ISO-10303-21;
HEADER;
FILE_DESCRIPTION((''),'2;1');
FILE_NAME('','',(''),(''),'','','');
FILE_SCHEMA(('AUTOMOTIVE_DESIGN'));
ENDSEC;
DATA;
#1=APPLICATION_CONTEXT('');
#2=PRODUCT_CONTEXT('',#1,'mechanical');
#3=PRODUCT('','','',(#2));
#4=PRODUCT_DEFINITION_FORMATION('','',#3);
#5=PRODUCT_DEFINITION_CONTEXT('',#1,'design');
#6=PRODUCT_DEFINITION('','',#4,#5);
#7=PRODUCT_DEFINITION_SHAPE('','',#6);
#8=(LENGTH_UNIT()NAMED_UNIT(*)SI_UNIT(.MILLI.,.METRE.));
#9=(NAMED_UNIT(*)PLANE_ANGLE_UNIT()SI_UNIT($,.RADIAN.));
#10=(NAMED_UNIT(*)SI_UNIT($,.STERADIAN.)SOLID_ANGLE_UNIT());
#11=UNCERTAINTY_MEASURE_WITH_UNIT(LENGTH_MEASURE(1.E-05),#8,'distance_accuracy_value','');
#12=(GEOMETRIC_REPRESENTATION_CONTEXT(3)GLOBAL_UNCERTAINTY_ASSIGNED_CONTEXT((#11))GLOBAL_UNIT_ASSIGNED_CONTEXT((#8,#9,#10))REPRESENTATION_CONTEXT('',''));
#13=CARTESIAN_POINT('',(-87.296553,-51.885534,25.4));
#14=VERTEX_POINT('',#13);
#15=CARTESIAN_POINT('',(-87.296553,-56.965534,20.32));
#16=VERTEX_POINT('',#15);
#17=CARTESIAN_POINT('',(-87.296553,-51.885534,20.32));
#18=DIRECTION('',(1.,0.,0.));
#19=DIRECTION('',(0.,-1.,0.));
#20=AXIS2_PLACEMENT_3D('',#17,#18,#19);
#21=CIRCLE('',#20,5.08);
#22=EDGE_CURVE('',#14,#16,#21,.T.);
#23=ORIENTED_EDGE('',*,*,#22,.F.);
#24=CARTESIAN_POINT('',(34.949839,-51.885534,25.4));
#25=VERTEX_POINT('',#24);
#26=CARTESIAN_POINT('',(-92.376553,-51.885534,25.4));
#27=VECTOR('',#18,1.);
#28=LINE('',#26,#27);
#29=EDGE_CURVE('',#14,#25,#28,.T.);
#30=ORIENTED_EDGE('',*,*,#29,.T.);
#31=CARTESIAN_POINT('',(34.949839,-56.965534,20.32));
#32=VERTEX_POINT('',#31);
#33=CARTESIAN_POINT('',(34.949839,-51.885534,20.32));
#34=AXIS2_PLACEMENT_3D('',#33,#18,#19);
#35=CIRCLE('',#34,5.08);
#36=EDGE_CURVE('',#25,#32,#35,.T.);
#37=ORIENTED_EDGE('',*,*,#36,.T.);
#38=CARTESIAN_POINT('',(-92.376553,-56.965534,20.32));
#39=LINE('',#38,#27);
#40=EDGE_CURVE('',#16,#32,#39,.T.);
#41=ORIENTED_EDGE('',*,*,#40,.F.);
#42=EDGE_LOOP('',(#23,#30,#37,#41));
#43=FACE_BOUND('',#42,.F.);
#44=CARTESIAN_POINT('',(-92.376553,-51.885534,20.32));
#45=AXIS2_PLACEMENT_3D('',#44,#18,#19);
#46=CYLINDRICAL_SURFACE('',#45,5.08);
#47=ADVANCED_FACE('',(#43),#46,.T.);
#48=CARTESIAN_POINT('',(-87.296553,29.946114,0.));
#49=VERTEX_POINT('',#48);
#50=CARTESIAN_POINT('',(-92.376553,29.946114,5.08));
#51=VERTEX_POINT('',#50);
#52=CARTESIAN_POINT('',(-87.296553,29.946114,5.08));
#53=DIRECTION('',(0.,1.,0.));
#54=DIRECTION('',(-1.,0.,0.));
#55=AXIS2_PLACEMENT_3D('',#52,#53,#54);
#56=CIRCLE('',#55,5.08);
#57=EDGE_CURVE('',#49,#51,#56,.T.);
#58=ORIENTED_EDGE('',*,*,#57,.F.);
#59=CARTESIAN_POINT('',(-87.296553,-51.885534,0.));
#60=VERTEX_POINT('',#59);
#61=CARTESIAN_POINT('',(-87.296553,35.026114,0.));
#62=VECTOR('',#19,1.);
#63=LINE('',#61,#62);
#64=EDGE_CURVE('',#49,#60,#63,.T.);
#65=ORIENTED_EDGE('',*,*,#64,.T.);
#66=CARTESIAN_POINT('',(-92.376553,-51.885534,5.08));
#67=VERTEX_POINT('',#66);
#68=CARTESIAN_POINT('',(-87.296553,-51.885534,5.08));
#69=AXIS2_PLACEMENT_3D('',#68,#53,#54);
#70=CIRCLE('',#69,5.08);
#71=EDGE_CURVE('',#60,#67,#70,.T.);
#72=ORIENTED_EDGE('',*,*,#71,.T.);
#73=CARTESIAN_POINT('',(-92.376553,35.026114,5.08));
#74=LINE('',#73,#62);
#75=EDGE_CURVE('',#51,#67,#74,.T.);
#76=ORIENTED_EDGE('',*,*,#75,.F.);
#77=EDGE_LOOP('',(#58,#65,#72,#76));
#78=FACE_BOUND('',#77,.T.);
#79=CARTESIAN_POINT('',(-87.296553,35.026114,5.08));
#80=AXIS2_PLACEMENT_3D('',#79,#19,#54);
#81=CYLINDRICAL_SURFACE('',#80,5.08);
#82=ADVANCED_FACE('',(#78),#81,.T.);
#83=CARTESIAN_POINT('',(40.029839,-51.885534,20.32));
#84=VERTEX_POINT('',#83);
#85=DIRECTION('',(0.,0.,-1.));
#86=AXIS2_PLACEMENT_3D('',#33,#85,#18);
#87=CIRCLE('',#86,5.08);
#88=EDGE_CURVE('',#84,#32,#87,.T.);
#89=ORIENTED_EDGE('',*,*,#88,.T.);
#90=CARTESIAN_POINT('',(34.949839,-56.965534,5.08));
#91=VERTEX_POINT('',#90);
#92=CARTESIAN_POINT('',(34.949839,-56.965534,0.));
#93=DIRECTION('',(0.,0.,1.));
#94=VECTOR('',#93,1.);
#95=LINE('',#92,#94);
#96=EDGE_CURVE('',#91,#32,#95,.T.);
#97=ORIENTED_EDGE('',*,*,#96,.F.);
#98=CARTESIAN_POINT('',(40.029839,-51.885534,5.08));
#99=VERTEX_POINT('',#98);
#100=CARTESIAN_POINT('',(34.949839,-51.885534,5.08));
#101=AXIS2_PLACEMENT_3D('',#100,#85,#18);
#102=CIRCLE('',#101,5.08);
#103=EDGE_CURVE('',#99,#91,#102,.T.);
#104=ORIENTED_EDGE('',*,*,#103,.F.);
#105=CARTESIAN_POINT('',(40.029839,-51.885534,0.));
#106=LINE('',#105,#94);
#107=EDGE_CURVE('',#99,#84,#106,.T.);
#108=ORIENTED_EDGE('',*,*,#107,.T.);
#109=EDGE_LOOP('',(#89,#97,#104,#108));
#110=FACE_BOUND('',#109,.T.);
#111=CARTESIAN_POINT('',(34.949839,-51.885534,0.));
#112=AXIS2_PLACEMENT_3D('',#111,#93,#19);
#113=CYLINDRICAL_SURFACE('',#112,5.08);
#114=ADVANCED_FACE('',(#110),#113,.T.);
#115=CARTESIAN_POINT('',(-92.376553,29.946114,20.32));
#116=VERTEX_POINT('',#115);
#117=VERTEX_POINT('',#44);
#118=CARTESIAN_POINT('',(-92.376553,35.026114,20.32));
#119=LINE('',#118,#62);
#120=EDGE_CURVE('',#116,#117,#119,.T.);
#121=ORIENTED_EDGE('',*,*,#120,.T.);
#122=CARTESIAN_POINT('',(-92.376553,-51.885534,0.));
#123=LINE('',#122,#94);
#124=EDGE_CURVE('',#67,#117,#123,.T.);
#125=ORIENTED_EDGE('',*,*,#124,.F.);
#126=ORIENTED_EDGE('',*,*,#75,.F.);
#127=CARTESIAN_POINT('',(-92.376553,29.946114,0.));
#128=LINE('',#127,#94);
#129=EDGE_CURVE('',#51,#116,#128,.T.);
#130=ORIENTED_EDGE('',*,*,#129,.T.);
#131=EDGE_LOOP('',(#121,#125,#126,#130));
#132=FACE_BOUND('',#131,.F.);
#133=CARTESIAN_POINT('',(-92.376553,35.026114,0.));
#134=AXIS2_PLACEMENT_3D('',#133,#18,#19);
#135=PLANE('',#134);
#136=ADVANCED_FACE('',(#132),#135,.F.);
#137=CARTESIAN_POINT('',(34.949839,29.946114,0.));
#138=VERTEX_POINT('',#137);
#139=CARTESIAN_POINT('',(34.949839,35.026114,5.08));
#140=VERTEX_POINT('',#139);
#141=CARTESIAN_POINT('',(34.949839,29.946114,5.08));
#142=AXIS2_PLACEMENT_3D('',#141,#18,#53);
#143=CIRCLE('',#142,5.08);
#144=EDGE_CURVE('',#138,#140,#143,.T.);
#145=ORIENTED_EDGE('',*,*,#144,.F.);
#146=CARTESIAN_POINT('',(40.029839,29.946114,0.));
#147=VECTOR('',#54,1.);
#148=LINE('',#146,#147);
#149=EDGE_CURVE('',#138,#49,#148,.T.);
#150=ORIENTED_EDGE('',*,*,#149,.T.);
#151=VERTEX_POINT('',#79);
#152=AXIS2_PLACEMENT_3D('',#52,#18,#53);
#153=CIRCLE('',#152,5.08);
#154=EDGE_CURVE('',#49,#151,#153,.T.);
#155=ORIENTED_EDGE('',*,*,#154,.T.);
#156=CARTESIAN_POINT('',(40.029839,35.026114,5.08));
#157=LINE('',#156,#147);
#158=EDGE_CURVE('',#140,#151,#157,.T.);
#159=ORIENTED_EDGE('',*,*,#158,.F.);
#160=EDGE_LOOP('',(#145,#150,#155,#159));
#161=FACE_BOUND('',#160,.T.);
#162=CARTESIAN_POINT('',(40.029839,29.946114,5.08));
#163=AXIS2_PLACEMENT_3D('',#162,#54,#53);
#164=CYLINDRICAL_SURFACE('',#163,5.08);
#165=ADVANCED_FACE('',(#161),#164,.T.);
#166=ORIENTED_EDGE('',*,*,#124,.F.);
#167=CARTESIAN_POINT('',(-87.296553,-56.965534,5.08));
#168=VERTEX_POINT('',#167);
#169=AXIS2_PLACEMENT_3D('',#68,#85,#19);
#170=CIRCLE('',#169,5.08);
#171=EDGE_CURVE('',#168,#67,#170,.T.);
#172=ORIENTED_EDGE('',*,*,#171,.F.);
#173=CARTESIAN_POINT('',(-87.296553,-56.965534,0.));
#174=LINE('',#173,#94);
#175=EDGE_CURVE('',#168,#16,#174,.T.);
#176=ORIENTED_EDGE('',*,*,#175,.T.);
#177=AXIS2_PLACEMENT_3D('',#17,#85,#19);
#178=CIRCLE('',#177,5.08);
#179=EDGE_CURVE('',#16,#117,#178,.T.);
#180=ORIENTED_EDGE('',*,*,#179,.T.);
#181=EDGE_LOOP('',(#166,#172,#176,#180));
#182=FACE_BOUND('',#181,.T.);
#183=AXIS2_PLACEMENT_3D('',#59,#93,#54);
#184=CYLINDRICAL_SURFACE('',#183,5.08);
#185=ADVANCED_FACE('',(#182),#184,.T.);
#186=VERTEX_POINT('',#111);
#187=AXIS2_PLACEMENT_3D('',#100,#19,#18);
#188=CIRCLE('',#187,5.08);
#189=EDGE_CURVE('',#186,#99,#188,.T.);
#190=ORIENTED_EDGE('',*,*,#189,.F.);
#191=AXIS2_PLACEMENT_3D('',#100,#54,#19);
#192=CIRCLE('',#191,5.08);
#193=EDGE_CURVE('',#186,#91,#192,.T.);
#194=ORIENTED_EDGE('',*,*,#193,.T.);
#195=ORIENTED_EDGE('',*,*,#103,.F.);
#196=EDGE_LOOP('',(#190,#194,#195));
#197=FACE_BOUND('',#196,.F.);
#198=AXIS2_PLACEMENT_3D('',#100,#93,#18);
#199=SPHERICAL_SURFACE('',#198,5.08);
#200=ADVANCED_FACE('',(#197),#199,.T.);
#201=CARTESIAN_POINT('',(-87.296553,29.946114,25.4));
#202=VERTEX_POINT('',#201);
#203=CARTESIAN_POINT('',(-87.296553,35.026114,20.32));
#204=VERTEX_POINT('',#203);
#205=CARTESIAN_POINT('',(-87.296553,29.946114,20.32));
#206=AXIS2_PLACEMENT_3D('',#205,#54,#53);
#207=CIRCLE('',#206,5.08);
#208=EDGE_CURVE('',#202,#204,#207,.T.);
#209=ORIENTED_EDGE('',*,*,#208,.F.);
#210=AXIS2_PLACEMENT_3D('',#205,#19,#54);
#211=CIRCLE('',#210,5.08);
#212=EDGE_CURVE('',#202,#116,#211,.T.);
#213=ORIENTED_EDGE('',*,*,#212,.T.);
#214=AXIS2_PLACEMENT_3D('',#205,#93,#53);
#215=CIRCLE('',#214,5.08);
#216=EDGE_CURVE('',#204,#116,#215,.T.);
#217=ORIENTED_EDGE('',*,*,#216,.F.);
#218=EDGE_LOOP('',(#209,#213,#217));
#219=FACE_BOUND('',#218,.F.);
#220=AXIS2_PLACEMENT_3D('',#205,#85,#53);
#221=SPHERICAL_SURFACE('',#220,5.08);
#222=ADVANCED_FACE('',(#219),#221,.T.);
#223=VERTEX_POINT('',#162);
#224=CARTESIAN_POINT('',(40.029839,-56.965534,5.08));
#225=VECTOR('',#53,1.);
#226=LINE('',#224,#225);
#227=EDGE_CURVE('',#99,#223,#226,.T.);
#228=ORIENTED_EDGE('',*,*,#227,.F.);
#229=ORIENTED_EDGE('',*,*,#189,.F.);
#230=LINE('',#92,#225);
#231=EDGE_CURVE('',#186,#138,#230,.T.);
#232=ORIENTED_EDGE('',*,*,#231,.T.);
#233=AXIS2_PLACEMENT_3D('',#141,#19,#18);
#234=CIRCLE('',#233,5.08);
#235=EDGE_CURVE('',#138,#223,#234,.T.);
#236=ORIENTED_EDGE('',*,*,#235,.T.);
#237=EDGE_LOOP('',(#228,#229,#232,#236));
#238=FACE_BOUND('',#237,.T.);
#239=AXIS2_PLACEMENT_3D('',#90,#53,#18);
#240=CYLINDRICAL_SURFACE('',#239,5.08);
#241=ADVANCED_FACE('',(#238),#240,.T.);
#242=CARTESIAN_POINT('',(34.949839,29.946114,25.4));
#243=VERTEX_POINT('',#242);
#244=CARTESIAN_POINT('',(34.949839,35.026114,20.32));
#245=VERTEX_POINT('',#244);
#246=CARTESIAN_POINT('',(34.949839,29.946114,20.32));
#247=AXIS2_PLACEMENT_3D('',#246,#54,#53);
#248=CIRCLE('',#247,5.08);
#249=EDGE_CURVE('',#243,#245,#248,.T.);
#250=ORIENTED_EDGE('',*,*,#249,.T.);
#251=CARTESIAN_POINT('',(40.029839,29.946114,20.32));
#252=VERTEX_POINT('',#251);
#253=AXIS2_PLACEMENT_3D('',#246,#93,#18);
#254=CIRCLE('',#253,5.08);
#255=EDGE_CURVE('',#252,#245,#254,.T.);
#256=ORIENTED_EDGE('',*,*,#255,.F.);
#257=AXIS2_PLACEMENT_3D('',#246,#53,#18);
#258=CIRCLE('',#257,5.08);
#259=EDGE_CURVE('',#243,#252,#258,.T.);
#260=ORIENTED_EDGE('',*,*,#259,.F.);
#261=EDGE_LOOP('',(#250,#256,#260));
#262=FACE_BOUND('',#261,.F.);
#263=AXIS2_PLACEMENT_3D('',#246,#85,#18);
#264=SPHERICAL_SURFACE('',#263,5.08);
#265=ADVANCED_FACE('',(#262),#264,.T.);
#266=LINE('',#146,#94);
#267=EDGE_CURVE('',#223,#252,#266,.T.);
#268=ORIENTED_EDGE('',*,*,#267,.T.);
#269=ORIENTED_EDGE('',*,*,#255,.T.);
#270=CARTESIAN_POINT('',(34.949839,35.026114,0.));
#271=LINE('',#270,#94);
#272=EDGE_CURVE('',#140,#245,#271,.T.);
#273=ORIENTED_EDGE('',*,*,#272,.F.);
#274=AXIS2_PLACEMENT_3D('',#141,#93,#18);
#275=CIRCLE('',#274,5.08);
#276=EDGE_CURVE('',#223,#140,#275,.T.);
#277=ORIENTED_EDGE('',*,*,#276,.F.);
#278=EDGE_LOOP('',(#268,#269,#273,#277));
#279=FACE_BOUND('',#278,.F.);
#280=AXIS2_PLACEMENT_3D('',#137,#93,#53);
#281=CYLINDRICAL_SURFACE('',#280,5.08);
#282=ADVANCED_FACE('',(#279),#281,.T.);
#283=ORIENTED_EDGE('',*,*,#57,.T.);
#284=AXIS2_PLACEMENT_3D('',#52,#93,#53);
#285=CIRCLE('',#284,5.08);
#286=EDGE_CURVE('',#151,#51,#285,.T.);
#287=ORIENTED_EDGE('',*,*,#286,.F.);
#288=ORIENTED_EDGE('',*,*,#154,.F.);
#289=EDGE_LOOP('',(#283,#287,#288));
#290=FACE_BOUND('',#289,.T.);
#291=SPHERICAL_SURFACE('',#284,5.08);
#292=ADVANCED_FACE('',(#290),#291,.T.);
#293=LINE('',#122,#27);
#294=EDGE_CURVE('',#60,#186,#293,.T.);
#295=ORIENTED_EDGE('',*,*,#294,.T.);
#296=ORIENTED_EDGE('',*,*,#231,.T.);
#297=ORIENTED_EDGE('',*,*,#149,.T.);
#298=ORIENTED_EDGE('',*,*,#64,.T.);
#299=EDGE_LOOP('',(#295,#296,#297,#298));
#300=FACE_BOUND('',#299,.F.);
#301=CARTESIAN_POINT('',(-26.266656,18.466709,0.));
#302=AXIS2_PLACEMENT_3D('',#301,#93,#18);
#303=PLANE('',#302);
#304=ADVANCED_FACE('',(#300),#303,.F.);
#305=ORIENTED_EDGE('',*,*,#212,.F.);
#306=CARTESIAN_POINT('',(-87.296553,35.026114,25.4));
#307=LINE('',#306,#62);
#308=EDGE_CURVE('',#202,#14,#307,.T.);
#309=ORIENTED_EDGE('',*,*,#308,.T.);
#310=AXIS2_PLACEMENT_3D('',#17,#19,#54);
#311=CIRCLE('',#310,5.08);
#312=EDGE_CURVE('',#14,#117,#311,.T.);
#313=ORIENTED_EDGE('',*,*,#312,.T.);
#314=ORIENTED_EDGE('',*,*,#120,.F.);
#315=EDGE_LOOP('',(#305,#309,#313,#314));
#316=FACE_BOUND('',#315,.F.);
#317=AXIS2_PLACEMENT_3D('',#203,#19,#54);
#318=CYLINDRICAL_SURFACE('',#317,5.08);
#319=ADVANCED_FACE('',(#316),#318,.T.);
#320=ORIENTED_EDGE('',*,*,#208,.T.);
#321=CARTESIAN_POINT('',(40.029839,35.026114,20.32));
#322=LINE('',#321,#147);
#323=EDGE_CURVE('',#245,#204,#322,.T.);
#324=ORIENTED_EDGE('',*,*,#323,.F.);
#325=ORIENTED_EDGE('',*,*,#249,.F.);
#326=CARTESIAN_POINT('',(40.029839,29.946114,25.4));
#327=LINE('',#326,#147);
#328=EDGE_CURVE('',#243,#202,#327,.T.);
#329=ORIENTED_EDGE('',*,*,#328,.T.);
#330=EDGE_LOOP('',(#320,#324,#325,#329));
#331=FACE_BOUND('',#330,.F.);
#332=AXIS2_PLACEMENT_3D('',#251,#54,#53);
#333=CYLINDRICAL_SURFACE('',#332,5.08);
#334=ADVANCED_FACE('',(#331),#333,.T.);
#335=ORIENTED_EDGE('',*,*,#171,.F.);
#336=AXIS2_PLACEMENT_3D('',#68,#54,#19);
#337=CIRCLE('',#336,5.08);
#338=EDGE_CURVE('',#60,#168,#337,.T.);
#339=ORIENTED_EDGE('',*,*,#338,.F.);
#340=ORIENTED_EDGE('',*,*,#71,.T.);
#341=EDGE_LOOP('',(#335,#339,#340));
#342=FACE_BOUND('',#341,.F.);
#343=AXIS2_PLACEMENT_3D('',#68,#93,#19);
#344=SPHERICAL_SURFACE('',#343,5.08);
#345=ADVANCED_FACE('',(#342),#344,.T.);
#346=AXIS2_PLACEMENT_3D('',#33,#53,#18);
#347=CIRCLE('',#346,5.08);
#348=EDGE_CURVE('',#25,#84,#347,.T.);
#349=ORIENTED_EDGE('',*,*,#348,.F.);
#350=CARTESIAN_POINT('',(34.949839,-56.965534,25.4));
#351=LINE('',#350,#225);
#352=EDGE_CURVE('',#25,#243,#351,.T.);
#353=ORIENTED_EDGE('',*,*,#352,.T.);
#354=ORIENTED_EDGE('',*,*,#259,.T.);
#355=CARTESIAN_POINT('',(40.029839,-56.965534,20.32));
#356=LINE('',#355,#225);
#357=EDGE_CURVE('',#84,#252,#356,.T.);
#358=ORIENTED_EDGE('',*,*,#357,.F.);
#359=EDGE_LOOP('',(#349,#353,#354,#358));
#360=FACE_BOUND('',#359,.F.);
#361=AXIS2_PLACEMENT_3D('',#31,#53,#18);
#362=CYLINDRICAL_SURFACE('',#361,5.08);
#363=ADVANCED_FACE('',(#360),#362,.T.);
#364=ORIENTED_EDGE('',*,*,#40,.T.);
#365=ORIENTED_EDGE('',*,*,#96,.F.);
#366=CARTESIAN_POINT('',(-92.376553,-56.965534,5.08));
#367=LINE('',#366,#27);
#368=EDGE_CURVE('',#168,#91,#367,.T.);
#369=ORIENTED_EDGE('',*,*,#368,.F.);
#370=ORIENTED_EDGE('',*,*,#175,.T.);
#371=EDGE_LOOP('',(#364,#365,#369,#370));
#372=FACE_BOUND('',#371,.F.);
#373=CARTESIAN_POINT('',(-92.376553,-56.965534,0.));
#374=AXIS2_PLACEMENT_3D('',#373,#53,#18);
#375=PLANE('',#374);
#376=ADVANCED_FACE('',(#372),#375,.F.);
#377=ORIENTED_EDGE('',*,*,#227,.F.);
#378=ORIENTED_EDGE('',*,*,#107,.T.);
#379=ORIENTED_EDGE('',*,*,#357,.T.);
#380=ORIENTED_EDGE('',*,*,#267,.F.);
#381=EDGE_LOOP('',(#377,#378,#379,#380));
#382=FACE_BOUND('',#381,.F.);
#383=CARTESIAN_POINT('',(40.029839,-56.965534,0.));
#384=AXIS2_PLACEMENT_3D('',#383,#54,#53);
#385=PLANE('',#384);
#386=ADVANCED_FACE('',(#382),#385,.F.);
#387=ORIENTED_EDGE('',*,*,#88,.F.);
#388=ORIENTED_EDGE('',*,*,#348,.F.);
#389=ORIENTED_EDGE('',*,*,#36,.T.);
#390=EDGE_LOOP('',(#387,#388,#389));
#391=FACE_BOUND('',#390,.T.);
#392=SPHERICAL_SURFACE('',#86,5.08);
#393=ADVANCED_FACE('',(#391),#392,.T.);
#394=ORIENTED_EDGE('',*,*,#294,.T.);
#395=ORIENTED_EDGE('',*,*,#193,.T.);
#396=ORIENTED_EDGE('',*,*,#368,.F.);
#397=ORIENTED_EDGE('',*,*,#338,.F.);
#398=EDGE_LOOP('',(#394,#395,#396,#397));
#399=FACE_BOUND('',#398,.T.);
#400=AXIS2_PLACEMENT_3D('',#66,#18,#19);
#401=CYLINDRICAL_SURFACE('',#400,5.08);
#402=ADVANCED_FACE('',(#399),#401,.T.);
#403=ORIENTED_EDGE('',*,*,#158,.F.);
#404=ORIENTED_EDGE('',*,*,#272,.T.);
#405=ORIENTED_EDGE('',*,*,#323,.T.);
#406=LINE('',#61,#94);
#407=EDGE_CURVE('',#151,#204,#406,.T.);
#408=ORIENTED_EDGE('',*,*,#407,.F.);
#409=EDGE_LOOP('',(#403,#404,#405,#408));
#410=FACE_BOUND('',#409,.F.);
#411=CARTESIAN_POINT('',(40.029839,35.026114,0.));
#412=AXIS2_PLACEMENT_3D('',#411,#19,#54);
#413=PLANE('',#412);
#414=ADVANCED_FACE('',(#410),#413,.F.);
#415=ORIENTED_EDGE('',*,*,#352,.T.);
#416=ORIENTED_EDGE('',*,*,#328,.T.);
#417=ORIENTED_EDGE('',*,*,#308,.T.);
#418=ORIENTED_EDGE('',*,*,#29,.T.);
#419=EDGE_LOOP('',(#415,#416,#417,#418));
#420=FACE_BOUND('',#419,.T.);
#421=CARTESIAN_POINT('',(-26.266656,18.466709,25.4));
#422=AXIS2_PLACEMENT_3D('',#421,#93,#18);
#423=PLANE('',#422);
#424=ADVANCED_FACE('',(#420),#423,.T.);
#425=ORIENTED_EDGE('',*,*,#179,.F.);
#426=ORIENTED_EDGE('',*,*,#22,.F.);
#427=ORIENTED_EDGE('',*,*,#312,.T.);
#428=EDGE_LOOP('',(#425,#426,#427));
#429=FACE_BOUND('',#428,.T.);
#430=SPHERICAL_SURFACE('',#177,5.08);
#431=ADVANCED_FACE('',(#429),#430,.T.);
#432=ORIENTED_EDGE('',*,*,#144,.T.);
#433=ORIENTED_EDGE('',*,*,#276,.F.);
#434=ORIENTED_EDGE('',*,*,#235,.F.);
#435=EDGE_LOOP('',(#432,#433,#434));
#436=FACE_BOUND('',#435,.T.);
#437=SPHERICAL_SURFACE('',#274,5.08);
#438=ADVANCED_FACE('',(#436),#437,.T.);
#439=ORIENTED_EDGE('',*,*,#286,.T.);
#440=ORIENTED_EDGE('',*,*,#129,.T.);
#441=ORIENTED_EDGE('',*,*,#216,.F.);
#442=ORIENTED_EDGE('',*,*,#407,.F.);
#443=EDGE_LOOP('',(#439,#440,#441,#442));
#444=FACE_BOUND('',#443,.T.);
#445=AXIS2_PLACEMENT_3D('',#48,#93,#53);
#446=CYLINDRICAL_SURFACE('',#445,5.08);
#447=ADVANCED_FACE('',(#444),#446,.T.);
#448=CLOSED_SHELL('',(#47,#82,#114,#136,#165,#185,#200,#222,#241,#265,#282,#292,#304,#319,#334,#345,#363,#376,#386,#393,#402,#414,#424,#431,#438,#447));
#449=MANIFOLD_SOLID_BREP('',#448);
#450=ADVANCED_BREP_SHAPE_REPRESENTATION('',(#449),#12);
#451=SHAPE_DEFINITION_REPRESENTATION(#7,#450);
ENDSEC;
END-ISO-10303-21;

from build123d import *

# Parameters (mm, degrees)
F1_DEPTH = 25.4
F2_R     = 5.08


with BuildPart() as f1:
    # F0 (on Top) → F1 (new body)
    with BuildSketch(Plane.XY):
        with BuildLine():
            Line((40.0298386812, 35.026114434), (-92.3765525222, 35.026114434))
            Line((-92.3765525222, 35.026114434), (-92.3765525222, 0))
            Line((-92.3765525222, 0), (-54.1899020415, 0))
            ThreePointArc((-54.1899020415, 0), (-29.6374764293, 14.3361382619), (-5.0850508172, 0))
            Line((-5.0850508172, 0), (40.0298386812, 0))
            Line((40.0298386812, 0), (40.0298386812, 35.026114434))
        make_face()
        with BuildLine():
            Line((-54.1899020415, 0), (-92.3765525222, 0))
            Line((-92.3765525222, 0), (-92.3765525222, -30.0223715603))
            Line((-92.3765525222, -30.0223715603), (-52.7348229784, -30.0223715603))
            ThreePointArc((-52.7348229784, -30.0223715603), (-57.7970377768, -15.2212722889), (-54.1899020415, 0))
        make_face()
        with BuildLine():
            Line((40.0298386812, -30.0223715603), (40.0298386812, 0))
            Line((40.0298386812, 0), (-5.0850508172, 0))
            ThreePointArc((-5.0850508172, 0), (-2.3700906657, -6.6931514243), (-1.4448610633, -13.8564771041))
            ThreePointArc((-1.4448610633, -13.8564771041), (-2.7488341392, -22.3314093736), (-6.5401298802, -30.0223715603))
            Line((-6.5401298802, -30.0223715603), (40.0298386812, -30.0223715603))
        make_face()
        with BuildLine():
            Line((-52.7348229784, -30.0223715603), (-92.3765525222, -30.0223715603))
            Line((-92.3765525222, -30.0223715603), (-92.3765525222, -56.965533644))
            Line((-92.3765525222, -56.965533644), (40.0298386812, -56.965533644))
            Line((40.0298386812, -56.965533644), (40.0298386812, -30.0223715603))
            Line((40.0298386812, -30.0223715603), (-6.5401298802, -30.0223715603))
            ThreePointArc((-6.5401298802, -30.0223715603), (-29.6374764293, -42.0490924702), (-52.7348229784, -30.0223715603))
        make_face()
        with BuildLine():
            ThreePointArc((-5.0850508172, 0), (-29.6374764293, 14.3361382619), (-54.1899020415, 0))
            Line((-54.1899020415, 0), (-26.1733569205, 0))
            Line((-26.1733569205, 0), (-5.0850508172, 0))
        make_face()
        with BuildLine():
            Line((-26.1733569205, 0), (-54.1899020415, 0))
            ThreePointArc((-54.1899020415, 0), (-57.7970377768, -15.2212722889), (-52.7348229784, -30.0223715603))
            Line((-52.7348229784, -30.0223715603), (-6.5401298802, -30.0223715603))
            ThreePointArc((-6.5401298802, -30.0223715603), (-2.7488341392, -22.3314093736), (-1.4448610633, -13.8564771041))
            ThreePointArc((-1.4448610633, -13.8564771041), (-2.3700906657, -6.6931514243), (-5.0850508172, 0))
            Line((-5.0850508172, 0), (-26.1733569205, 0))
        make_face()
        with BuildLine():
            Line((-6.5401298802, -30.0223715603), (-52.7348229784, -30.0223715603))
            ThreePointArc((-52.7348229784, -30.0223715603), (-29.6374764293, -42.0490924702), (-6.5401298802, -30.0223715603))
        make_face()
    extrude(amount=F1_DEPTH)

    # F2
    f2_edges = [f1.edges().sort_by_distance(p)[0] for p in [
        (40.029839, -56.965534, 12.7),
        (40.029839, 35.026114, 12.7),
        (40.029839, -10.96971, 0),
        (40.029839, -10.96971, 25.4),
        (-92.376553, -56.965534, 12.7),
        (-26.173357, -56.965534, 0),
        (-26.173357, -56.965534, 25.4),
        (-92.376553, 35.026114, 12.7),
        (-26.173357, 35.026114, 0),
        (-26.173357, 35.026114, 25.4),
        (-92.376553, -10.96971, 0),
        (-92.376553, -10.96971, 25.4),
    ]]
    fillet(f2_edges, radius=F2_R)


solid = f1.part
